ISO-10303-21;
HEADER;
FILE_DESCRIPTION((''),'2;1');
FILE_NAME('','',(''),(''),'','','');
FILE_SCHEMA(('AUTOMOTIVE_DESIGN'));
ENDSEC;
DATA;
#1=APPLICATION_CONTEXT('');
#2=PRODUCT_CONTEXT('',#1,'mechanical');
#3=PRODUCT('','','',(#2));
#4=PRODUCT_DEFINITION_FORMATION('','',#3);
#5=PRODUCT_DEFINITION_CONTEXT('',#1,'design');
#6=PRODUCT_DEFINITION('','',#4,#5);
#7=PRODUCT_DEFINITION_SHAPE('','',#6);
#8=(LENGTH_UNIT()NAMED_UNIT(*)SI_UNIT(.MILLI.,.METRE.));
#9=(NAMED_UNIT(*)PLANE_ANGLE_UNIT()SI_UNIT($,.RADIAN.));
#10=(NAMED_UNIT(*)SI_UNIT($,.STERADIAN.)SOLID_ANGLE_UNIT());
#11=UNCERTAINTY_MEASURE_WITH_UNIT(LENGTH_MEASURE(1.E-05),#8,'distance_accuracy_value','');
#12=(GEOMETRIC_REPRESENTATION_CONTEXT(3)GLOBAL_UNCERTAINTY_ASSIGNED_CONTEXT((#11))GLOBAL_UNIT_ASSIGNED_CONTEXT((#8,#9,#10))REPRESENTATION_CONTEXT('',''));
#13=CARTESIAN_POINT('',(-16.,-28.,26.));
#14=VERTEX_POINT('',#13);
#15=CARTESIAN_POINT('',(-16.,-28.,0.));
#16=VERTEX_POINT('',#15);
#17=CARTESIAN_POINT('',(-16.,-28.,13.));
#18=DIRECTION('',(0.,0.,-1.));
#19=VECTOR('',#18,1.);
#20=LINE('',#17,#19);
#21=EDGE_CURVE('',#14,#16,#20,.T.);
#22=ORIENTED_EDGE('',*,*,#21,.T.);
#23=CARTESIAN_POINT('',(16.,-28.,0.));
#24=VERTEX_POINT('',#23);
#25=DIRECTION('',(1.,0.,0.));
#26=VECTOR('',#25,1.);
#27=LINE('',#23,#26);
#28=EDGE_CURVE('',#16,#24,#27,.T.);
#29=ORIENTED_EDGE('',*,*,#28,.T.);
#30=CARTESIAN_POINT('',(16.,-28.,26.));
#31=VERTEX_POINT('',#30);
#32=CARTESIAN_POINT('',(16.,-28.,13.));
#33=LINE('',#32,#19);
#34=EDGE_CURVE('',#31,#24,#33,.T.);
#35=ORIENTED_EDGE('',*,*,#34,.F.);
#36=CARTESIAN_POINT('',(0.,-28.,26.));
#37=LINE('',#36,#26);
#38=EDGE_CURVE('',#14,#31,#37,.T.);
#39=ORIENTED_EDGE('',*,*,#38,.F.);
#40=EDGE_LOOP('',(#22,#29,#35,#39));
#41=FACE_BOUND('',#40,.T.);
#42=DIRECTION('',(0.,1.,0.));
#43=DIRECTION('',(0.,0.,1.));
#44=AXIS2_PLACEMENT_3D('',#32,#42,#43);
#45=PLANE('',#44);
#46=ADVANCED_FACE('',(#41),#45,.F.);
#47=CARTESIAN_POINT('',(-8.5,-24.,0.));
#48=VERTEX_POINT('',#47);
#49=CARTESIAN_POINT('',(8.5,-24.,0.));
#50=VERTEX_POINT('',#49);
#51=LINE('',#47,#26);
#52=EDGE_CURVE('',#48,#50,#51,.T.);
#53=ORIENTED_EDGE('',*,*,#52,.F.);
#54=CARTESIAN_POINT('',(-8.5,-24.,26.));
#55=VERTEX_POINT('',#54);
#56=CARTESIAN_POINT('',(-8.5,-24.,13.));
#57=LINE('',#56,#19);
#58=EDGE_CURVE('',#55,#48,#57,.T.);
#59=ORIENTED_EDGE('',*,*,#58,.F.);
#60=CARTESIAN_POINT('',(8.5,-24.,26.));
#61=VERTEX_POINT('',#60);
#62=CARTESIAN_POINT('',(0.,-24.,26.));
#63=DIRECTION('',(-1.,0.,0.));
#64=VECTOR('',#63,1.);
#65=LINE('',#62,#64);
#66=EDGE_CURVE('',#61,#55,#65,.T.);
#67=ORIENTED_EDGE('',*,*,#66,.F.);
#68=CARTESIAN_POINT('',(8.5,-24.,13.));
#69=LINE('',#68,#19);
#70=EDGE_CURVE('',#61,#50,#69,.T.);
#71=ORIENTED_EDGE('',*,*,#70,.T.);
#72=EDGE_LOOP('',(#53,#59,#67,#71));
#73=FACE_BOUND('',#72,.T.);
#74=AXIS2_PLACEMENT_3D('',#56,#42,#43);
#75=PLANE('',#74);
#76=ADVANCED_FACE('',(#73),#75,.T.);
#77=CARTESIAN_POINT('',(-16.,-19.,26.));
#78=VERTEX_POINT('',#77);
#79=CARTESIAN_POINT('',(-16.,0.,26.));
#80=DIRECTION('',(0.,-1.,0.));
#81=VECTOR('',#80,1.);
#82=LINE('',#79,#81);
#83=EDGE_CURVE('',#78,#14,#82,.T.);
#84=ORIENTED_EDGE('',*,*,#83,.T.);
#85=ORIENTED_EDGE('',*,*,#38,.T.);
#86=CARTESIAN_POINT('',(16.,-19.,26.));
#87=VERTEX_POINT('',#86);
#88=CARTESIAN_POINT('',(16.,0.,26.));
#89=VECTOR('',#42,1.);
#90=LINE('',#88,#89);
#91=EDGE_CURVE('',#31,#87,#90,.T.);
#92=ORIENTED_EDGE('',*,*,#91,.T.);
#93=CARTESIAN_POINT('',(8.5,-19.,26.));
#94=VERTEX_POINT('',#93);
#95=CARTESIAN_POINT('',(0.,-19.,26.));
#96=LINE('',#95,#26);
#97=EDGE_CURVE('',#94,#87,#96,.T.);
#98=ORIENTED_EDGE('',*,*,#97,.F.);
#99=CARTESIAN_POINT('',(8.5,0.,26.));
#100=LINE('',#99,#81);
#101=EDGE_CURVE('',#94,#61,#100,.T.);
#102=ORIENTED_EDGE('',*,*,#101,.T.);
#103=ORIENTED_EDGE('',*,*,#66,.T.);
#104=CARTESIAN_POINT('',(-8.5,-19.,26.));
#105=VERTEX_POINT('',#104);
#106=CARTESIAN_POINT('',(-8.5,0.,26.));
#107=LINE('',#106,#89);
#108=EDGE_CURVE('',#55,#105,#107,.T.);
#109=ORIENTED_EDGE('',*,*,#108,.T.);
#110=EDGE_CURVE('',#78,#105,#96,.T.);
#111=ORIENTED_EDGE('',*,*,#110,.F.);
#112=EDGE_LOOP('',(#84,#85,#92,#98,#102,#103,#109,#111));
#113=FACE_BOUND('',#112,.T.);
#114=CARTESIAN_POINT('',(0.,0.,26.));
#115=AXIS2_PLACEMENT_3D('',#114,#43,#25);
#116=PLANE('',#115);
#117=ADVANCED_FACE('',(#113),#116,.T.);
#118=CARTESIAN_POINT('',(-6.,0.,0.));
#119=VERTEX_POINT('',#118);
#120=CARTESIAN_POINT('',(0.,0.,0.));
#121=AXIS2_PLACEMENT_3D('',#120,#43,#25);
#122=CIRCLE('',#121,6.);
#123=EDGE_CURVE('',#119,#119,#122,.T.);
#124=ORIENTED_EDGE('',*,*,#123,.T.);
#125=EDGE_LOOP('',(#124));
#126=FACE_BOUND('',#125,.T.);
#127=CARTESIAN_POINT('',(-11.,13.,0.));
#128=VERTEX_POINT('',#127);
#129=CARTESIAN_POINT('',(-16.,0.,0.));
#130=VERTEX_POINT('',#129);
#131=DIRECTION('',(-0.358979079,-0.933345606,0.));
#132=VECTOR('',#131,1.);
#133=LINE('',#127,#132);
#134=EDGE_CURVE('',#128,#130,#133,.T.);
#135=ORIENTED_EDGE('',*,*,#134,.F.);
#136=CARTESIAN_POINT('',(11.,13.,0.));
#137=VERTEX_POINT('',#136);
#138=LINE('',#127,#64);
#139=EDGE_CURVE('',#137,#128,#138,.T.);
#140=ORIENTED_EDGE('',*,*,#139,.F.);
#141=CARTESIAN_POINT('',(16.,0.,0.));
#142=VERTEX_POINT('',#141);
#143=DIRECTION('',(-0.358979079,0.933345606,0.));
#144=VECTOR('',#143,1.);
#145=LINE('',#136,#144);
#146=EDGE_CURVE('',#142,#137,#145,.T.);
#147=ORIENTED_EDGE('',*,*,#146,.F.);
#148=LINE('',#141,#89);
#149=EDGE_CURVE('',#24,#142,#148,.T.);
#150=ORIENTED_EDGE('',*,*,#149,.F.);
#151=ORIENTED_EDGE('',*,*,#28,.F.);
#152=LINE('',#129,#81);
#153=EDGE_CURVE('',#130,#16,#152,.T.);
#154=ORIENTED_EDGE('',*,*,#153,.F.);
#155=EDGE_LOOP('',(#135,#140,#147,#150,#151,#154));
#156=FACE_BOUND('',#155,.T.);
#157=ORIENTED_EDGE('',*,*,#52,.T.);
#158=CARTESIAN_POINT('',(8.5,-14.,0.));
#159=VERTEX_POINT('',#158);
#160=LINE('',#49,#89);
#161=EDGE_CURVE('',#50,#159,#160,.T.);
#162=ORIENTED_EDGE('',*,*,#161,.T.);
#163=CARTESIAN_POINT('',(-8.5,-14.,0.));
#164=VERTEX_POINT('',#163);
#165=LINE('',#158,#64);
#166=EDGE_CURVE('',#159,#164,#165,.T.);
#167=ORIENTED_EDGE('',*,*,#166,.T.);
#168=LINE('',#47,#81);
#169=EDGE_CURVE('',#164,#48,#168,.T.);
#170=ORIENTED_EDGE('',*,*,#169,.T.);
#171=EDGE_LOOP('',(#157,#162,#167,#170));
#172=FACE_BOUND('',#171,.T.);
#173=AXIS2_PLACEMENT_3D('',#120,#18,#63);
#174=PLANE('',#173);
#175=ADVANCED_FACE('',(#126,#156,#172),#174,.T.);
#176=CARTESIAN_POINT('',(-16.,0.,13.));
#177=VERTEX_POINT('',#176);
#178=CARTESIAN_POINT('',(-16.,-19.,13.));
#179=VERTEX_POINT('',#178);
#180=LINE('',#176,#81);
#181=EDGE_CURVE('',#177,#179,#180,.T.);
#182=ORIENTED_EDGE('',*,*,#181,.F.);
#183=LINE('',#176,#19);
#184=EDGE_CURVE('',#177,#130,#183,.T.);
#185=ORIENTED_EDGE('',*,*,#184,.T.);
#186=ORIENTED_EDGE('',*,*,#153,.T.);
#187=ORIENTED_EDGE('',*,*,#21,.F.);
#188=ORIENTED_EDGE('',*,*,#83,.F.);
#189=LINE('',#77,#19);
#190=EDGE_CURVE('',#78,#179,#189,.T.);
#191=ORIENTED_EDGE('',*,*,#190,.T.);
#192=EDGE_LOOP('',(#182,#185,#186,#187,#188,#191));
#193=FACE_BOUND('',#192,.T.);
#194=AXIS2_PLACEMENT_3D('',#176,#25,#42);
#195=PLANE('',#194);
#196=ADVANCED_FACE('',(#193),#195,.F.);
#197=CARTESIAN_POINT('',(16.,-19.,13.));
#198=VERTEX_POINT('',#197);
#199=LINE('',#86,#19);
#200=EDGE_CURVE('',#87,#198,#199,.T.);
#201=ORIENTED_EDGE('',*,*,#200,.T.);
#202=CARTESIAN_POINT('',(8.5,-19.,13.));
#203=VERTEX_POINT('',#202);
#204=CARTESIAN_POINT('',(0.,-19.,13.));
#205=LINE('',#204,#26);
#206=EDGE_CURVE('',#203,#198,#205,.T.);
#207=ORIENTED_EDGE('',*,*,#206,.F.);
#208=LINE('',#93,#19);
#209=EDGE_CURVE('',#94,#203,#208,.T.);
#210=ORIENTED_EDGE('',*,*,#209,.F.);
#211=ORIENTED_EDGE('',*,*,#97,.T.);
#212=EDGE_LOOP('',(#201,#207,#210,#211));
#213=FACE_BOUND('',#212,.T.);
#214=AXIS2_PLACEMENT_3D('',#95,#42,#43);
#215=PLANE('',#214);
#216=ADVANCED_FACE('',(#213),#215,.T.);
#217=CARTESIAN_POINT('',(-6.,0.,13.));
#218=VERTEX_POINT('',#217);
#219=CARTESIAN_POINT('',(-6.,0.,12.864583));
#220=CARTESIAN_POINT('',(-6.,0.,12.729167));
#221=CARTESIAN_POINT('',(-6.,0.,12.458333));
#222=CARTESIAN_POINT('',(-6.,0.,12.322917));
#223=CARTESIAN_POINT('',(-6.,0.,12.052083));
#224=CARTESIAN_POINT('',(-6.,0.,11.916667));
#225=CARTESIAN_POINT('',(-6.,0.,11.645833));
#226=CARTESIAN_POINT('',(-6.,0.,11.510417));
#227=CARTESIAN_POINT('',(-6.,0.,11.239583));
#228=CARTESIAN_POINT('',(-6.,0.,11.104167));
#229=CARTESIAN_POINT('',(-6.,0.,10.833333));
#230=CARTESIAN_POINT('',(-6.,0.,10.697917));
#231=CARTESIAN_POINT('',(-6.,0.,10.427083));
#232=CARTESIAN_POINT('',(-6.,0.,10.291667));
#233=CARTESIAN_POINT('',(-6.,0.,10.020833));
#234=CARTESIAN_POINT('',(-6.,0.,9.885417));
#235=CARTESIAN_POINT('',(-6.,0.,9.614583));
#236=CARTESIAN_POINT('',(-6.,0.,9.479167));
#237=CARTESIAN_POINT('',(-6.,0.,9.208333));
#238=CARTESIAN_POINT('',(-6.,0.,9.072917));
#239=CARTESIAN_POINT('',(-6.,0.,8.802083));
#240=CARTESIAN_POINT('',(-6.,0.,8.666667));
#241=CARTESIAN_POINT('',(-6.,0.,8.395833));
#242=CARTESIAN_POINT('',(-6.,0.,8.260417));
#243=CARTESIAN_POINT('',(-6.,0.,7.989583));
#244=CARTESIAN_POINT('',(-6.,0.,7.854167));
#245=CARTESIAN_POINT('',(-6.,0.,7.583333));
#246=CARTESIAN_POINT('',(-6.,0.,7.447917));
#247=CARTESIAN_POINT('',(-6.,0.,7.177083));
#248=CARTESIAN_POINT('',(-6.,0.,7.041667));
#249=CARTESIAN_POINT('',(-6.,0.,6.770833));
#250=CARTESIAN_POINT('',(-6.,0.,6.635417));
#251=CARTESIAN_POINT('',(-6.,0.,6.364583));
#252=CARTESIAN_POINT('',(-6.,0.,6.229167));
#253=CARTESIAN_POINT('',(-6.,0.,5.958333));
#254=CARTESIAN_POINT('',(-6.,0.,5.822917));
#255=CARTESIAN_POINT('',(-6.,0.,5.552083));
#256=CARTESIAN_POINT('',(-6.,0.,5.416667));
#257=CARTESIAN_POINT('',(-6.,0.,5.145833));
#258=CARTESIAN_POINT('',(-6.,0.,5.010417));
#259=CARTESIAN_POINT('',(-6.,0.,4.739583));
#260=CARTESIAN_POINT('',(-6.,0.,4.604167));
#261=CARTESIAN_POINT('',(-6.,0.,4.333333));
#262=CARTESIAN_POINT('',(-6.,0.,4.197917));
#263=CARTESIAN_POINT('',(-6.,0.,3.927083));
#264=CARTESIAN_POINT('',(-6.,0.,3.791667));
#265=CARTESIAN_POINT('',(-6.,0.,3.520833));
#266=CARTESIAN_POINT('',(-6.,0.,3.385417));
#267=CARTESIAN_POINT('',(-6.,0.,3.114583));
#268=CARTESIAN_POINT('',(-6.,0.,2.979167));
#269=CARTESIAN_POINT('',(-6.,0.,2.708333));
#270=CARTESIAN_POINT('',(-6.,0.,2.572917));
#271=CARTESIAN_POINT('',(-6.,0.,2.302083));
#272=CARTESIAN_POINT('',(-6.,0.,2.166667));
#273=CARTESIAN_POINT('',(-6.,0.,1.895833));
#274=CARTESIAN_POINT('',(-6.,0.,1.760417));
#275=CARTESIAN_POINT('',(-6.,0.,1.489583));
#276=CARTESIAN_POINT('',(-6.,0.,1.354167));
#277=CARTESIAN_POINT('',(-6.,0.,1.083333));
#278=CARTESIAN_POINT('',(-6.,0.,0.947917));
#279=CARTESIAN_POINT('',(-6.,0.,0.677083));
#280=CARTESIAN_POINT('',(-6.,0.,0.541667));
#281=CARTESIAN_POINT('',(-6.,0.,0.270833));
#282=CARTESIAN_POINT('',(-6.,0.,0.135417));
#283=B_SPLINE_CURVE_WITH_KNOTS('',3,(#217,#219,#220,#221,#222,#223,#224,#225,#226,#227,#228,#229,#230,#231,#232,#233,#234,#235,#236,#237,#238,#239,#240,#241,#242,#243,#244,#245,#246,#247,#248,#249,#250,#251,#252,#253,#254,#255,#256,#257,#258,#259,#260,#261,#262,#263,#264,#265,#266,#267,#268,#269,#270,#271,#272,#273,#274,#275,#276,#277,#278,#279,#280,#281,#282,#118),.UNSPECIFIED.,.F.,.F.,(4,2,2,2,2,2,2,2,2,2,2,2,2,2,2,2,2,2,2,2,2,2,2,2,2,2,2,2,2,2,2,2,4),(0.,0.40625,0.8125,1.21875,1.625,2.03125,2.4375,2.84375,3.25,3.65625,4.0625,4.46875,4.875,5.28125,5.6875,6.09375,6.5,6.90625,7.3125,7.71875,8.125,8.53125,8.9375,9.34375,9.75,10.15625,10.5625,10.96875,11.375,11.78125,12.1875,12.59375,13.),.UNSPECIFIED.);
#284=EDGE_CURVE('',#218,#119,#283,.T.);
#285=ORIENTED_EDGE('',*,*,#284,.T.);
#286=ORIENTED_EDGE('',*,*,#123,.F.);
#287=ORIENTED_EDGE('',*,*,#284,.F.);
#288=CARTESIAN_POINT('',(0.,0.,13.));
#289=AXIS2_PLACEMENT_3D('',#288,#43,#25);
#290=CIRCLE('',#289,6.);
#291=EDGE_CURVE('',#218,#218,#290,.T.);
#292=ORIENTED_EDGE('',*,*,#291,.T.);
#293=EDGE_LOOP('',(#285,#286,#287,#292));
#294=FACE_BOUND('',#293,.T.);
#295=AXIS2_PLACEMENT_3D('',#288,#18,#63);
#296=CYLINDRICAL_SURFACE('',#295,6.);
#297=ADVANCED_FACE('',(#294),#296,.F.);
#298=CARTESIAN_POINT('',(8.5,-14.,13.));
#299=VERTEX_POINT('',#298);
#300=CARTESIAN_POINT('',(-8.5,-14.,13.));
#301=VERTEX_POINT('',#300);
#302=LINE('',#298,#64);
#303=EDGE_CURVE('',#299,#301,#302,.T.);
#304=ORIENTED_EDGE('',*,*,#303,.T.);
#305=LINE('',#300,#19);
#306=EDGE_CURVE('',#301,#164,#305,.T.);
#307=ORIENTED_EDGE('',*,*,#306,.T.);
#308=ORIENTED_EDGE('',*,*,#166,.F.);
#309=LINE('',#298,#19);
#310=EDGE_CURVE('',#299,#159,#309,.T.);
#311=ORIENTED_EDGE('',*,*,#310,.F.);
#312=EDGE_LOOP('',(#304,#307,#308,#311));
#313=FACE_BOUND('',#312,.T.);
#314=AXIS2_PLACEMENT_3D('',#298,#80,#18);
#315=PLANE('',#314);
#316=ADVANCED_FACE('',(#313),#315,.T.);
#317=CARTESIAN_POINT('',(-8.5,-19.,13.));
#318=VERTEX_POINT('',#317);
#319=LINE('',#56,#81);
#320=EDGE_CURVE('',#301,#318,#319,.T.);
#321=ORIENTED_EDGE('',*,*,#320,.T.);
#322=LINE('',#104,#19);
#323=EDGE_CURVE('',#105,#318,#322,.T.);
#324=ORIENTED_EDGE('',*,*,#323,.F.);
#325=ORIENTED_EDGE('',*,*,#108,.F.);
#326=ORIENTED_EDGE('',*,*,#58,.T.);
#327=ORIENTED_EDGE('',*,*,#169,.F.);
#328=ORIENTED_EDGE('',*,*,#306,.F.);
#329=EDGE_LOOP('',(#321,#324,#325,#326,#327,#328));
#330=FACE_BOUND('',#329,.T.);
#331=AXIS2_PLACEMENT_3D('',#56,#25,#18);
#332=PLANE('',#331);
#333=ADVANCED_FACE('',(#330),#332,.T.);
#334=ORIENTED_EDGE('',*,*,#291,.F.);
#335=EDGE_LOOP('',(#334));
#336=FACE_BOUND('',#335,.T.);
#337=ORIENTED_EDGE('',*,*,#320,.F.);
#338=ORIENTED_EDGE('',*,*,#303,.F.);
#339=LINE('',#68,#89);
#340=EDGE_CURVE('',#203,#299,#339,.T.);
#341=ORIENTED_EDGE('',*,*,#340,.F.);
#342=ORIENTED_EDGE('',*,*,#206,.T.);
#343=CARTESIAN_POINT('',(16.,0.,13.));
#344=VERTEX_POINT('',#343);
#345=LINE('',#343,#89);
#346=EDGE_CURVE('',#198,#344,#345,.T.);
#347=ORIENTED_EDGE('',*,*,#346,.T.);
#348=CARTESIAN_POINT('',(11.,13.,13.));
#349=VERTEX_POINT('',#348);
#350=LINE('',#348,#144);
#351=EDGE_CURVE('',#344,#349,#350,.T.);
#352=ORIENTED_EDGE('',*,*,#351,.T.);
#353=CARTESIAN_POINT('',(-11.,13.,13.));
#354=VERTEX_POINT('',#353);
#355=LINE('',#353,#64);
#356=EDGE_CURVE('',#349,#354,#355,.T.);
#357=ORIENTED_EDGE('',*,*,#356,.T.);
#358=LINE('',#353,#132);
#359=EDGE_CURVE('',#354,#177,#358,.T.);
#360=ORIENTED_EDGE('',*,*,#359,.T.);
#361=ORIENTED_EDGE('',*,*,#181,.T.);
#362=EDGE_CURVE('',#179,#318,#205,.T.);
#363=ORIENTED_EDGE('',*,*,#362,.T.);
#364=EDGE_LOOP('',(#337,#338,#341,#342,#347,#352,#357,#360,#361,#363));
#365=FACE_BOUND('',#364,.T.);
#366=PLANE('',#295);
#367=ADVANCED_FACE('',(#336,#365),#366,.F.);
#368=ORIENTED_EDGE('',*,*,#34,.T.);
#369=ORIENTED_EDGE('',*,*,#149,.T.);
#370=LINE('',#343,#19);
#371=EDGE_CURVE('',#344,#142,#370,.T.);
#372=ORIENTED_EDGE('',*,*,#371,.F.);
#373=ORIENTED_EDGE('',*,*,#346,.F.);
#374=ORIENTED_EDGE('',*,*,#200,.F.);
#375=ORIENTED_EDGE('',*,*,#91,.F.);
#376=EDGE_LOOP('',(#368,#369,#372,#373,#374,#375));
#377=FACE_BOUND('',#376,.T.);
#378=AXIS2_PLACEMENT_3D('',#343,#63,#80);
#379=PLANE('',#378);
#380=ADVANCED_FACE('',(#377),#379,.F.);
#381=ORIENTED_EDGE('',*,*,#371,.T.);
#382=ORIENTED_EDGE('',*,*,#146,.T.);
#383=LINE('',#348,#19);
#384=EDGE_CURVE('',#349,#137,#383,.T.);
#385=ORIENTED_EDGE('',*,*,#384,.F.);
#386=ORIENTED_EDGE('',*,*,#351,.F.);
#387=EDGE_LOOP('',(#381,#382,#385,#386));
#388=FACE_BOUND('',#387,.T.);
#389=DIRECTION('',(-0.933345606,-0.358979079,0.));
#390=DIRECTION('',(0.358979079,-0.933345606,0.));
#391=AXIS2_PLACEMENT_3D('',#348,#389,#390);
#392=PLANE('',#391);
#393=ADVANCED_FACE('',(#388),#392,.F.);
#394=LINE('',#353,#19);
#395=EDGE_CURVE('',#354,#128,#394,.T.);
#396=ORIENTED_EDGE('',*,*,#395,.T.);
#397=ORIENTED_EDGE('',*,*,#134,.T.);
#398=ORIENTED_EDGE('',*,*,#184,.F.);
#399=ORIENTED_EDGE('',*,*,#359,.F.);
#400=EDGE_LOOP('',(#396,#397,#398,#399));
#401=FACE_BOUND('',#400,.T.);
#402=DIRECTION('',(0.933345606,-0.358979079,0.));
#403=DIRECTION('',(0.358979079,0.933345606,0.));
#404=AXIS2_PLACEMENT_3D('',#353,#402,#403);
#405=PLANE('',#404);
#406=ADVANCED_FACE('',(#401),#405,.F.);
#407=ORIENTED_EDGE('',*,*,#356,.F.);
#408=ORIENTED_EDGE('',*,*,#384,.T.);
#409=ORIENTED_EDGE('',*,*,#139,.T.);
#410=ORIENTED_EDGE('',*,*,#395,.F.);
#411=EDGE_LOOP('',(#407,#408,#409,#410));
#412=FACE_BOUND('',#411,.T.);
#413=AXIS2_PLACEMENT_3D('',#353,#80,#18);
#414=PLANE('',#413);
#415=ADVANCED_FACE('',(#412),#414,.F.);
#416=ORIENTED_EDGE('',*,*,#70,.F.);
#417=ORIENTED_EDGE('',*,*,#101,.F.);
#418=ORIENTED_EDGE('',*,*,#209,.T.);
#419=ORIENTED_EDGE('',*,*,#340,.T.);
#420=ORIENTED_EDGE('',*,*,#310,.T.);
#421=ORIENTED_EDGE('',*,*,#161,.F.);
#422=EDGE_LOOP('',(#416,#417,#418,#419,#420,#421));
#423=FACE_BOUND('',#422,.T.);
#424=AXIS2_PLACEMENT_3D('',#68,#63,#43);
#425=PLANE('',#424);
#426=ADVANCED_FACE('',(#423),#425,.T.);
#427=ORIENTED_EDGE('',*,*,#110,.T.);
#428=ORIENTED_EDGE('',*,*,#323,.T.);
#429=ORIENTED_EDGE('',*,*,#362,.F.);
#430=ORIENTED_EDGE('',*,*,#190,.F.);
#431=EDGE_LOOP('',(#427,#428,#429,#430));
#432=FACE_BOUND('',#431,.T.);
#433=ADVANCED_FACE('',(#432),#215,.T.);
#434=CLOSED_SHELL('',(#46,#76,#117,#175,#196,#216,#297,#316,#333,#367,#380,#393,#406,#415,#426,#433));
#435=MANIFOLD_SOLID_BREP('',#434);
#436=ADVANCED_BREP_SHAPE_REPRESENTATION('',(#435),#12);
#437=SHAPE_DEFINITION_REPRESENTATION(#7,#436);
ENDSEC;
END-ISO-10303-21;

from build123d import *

# Parameters (mm, degrees)
SKETCH_1_R      = 6
SKETCH_1_W      = 17
SKETCH_1_H      = 10
EXTRUDE_1_DEPTH = 13
EXTRUDE_2_DEPTH = 13


with BuildPart() as part:
    # 草图1 → 凸台-拉伸1 (new body)
    with BuildSketch(Plane.XY):
        Polygon((-11, 13), (11, 13), (16, 0), (16, -28), (-16, -28), (-16, 0), align=None)
        with Locations(Location((0, 0, 0), (0, 0, 180))):
            Circle(SKETCH_1_R, mode=Mode.SUBTRACT)
        with Locations((0, -19)):
            Rectangle(SKETCH_1_W, SKETCH_1_H, mode=Mode.SUBTRACT)
    extrude(amount=EXTRUDE_1_DEPTH)

    # 草图2 → 凸台-拉伸2 (add)
    with BuildSketch(Plane.XY.offset(13)):
        Polygon((-8.5, -19), (-16, -19), (-16, -28), (16, -28), (16, -19), (8.5, -19), (8.5, -24), (-8.5, -24), align=None)
    extrude(amount=EXTRUDE_2_DEPTH)


solid = part.part
